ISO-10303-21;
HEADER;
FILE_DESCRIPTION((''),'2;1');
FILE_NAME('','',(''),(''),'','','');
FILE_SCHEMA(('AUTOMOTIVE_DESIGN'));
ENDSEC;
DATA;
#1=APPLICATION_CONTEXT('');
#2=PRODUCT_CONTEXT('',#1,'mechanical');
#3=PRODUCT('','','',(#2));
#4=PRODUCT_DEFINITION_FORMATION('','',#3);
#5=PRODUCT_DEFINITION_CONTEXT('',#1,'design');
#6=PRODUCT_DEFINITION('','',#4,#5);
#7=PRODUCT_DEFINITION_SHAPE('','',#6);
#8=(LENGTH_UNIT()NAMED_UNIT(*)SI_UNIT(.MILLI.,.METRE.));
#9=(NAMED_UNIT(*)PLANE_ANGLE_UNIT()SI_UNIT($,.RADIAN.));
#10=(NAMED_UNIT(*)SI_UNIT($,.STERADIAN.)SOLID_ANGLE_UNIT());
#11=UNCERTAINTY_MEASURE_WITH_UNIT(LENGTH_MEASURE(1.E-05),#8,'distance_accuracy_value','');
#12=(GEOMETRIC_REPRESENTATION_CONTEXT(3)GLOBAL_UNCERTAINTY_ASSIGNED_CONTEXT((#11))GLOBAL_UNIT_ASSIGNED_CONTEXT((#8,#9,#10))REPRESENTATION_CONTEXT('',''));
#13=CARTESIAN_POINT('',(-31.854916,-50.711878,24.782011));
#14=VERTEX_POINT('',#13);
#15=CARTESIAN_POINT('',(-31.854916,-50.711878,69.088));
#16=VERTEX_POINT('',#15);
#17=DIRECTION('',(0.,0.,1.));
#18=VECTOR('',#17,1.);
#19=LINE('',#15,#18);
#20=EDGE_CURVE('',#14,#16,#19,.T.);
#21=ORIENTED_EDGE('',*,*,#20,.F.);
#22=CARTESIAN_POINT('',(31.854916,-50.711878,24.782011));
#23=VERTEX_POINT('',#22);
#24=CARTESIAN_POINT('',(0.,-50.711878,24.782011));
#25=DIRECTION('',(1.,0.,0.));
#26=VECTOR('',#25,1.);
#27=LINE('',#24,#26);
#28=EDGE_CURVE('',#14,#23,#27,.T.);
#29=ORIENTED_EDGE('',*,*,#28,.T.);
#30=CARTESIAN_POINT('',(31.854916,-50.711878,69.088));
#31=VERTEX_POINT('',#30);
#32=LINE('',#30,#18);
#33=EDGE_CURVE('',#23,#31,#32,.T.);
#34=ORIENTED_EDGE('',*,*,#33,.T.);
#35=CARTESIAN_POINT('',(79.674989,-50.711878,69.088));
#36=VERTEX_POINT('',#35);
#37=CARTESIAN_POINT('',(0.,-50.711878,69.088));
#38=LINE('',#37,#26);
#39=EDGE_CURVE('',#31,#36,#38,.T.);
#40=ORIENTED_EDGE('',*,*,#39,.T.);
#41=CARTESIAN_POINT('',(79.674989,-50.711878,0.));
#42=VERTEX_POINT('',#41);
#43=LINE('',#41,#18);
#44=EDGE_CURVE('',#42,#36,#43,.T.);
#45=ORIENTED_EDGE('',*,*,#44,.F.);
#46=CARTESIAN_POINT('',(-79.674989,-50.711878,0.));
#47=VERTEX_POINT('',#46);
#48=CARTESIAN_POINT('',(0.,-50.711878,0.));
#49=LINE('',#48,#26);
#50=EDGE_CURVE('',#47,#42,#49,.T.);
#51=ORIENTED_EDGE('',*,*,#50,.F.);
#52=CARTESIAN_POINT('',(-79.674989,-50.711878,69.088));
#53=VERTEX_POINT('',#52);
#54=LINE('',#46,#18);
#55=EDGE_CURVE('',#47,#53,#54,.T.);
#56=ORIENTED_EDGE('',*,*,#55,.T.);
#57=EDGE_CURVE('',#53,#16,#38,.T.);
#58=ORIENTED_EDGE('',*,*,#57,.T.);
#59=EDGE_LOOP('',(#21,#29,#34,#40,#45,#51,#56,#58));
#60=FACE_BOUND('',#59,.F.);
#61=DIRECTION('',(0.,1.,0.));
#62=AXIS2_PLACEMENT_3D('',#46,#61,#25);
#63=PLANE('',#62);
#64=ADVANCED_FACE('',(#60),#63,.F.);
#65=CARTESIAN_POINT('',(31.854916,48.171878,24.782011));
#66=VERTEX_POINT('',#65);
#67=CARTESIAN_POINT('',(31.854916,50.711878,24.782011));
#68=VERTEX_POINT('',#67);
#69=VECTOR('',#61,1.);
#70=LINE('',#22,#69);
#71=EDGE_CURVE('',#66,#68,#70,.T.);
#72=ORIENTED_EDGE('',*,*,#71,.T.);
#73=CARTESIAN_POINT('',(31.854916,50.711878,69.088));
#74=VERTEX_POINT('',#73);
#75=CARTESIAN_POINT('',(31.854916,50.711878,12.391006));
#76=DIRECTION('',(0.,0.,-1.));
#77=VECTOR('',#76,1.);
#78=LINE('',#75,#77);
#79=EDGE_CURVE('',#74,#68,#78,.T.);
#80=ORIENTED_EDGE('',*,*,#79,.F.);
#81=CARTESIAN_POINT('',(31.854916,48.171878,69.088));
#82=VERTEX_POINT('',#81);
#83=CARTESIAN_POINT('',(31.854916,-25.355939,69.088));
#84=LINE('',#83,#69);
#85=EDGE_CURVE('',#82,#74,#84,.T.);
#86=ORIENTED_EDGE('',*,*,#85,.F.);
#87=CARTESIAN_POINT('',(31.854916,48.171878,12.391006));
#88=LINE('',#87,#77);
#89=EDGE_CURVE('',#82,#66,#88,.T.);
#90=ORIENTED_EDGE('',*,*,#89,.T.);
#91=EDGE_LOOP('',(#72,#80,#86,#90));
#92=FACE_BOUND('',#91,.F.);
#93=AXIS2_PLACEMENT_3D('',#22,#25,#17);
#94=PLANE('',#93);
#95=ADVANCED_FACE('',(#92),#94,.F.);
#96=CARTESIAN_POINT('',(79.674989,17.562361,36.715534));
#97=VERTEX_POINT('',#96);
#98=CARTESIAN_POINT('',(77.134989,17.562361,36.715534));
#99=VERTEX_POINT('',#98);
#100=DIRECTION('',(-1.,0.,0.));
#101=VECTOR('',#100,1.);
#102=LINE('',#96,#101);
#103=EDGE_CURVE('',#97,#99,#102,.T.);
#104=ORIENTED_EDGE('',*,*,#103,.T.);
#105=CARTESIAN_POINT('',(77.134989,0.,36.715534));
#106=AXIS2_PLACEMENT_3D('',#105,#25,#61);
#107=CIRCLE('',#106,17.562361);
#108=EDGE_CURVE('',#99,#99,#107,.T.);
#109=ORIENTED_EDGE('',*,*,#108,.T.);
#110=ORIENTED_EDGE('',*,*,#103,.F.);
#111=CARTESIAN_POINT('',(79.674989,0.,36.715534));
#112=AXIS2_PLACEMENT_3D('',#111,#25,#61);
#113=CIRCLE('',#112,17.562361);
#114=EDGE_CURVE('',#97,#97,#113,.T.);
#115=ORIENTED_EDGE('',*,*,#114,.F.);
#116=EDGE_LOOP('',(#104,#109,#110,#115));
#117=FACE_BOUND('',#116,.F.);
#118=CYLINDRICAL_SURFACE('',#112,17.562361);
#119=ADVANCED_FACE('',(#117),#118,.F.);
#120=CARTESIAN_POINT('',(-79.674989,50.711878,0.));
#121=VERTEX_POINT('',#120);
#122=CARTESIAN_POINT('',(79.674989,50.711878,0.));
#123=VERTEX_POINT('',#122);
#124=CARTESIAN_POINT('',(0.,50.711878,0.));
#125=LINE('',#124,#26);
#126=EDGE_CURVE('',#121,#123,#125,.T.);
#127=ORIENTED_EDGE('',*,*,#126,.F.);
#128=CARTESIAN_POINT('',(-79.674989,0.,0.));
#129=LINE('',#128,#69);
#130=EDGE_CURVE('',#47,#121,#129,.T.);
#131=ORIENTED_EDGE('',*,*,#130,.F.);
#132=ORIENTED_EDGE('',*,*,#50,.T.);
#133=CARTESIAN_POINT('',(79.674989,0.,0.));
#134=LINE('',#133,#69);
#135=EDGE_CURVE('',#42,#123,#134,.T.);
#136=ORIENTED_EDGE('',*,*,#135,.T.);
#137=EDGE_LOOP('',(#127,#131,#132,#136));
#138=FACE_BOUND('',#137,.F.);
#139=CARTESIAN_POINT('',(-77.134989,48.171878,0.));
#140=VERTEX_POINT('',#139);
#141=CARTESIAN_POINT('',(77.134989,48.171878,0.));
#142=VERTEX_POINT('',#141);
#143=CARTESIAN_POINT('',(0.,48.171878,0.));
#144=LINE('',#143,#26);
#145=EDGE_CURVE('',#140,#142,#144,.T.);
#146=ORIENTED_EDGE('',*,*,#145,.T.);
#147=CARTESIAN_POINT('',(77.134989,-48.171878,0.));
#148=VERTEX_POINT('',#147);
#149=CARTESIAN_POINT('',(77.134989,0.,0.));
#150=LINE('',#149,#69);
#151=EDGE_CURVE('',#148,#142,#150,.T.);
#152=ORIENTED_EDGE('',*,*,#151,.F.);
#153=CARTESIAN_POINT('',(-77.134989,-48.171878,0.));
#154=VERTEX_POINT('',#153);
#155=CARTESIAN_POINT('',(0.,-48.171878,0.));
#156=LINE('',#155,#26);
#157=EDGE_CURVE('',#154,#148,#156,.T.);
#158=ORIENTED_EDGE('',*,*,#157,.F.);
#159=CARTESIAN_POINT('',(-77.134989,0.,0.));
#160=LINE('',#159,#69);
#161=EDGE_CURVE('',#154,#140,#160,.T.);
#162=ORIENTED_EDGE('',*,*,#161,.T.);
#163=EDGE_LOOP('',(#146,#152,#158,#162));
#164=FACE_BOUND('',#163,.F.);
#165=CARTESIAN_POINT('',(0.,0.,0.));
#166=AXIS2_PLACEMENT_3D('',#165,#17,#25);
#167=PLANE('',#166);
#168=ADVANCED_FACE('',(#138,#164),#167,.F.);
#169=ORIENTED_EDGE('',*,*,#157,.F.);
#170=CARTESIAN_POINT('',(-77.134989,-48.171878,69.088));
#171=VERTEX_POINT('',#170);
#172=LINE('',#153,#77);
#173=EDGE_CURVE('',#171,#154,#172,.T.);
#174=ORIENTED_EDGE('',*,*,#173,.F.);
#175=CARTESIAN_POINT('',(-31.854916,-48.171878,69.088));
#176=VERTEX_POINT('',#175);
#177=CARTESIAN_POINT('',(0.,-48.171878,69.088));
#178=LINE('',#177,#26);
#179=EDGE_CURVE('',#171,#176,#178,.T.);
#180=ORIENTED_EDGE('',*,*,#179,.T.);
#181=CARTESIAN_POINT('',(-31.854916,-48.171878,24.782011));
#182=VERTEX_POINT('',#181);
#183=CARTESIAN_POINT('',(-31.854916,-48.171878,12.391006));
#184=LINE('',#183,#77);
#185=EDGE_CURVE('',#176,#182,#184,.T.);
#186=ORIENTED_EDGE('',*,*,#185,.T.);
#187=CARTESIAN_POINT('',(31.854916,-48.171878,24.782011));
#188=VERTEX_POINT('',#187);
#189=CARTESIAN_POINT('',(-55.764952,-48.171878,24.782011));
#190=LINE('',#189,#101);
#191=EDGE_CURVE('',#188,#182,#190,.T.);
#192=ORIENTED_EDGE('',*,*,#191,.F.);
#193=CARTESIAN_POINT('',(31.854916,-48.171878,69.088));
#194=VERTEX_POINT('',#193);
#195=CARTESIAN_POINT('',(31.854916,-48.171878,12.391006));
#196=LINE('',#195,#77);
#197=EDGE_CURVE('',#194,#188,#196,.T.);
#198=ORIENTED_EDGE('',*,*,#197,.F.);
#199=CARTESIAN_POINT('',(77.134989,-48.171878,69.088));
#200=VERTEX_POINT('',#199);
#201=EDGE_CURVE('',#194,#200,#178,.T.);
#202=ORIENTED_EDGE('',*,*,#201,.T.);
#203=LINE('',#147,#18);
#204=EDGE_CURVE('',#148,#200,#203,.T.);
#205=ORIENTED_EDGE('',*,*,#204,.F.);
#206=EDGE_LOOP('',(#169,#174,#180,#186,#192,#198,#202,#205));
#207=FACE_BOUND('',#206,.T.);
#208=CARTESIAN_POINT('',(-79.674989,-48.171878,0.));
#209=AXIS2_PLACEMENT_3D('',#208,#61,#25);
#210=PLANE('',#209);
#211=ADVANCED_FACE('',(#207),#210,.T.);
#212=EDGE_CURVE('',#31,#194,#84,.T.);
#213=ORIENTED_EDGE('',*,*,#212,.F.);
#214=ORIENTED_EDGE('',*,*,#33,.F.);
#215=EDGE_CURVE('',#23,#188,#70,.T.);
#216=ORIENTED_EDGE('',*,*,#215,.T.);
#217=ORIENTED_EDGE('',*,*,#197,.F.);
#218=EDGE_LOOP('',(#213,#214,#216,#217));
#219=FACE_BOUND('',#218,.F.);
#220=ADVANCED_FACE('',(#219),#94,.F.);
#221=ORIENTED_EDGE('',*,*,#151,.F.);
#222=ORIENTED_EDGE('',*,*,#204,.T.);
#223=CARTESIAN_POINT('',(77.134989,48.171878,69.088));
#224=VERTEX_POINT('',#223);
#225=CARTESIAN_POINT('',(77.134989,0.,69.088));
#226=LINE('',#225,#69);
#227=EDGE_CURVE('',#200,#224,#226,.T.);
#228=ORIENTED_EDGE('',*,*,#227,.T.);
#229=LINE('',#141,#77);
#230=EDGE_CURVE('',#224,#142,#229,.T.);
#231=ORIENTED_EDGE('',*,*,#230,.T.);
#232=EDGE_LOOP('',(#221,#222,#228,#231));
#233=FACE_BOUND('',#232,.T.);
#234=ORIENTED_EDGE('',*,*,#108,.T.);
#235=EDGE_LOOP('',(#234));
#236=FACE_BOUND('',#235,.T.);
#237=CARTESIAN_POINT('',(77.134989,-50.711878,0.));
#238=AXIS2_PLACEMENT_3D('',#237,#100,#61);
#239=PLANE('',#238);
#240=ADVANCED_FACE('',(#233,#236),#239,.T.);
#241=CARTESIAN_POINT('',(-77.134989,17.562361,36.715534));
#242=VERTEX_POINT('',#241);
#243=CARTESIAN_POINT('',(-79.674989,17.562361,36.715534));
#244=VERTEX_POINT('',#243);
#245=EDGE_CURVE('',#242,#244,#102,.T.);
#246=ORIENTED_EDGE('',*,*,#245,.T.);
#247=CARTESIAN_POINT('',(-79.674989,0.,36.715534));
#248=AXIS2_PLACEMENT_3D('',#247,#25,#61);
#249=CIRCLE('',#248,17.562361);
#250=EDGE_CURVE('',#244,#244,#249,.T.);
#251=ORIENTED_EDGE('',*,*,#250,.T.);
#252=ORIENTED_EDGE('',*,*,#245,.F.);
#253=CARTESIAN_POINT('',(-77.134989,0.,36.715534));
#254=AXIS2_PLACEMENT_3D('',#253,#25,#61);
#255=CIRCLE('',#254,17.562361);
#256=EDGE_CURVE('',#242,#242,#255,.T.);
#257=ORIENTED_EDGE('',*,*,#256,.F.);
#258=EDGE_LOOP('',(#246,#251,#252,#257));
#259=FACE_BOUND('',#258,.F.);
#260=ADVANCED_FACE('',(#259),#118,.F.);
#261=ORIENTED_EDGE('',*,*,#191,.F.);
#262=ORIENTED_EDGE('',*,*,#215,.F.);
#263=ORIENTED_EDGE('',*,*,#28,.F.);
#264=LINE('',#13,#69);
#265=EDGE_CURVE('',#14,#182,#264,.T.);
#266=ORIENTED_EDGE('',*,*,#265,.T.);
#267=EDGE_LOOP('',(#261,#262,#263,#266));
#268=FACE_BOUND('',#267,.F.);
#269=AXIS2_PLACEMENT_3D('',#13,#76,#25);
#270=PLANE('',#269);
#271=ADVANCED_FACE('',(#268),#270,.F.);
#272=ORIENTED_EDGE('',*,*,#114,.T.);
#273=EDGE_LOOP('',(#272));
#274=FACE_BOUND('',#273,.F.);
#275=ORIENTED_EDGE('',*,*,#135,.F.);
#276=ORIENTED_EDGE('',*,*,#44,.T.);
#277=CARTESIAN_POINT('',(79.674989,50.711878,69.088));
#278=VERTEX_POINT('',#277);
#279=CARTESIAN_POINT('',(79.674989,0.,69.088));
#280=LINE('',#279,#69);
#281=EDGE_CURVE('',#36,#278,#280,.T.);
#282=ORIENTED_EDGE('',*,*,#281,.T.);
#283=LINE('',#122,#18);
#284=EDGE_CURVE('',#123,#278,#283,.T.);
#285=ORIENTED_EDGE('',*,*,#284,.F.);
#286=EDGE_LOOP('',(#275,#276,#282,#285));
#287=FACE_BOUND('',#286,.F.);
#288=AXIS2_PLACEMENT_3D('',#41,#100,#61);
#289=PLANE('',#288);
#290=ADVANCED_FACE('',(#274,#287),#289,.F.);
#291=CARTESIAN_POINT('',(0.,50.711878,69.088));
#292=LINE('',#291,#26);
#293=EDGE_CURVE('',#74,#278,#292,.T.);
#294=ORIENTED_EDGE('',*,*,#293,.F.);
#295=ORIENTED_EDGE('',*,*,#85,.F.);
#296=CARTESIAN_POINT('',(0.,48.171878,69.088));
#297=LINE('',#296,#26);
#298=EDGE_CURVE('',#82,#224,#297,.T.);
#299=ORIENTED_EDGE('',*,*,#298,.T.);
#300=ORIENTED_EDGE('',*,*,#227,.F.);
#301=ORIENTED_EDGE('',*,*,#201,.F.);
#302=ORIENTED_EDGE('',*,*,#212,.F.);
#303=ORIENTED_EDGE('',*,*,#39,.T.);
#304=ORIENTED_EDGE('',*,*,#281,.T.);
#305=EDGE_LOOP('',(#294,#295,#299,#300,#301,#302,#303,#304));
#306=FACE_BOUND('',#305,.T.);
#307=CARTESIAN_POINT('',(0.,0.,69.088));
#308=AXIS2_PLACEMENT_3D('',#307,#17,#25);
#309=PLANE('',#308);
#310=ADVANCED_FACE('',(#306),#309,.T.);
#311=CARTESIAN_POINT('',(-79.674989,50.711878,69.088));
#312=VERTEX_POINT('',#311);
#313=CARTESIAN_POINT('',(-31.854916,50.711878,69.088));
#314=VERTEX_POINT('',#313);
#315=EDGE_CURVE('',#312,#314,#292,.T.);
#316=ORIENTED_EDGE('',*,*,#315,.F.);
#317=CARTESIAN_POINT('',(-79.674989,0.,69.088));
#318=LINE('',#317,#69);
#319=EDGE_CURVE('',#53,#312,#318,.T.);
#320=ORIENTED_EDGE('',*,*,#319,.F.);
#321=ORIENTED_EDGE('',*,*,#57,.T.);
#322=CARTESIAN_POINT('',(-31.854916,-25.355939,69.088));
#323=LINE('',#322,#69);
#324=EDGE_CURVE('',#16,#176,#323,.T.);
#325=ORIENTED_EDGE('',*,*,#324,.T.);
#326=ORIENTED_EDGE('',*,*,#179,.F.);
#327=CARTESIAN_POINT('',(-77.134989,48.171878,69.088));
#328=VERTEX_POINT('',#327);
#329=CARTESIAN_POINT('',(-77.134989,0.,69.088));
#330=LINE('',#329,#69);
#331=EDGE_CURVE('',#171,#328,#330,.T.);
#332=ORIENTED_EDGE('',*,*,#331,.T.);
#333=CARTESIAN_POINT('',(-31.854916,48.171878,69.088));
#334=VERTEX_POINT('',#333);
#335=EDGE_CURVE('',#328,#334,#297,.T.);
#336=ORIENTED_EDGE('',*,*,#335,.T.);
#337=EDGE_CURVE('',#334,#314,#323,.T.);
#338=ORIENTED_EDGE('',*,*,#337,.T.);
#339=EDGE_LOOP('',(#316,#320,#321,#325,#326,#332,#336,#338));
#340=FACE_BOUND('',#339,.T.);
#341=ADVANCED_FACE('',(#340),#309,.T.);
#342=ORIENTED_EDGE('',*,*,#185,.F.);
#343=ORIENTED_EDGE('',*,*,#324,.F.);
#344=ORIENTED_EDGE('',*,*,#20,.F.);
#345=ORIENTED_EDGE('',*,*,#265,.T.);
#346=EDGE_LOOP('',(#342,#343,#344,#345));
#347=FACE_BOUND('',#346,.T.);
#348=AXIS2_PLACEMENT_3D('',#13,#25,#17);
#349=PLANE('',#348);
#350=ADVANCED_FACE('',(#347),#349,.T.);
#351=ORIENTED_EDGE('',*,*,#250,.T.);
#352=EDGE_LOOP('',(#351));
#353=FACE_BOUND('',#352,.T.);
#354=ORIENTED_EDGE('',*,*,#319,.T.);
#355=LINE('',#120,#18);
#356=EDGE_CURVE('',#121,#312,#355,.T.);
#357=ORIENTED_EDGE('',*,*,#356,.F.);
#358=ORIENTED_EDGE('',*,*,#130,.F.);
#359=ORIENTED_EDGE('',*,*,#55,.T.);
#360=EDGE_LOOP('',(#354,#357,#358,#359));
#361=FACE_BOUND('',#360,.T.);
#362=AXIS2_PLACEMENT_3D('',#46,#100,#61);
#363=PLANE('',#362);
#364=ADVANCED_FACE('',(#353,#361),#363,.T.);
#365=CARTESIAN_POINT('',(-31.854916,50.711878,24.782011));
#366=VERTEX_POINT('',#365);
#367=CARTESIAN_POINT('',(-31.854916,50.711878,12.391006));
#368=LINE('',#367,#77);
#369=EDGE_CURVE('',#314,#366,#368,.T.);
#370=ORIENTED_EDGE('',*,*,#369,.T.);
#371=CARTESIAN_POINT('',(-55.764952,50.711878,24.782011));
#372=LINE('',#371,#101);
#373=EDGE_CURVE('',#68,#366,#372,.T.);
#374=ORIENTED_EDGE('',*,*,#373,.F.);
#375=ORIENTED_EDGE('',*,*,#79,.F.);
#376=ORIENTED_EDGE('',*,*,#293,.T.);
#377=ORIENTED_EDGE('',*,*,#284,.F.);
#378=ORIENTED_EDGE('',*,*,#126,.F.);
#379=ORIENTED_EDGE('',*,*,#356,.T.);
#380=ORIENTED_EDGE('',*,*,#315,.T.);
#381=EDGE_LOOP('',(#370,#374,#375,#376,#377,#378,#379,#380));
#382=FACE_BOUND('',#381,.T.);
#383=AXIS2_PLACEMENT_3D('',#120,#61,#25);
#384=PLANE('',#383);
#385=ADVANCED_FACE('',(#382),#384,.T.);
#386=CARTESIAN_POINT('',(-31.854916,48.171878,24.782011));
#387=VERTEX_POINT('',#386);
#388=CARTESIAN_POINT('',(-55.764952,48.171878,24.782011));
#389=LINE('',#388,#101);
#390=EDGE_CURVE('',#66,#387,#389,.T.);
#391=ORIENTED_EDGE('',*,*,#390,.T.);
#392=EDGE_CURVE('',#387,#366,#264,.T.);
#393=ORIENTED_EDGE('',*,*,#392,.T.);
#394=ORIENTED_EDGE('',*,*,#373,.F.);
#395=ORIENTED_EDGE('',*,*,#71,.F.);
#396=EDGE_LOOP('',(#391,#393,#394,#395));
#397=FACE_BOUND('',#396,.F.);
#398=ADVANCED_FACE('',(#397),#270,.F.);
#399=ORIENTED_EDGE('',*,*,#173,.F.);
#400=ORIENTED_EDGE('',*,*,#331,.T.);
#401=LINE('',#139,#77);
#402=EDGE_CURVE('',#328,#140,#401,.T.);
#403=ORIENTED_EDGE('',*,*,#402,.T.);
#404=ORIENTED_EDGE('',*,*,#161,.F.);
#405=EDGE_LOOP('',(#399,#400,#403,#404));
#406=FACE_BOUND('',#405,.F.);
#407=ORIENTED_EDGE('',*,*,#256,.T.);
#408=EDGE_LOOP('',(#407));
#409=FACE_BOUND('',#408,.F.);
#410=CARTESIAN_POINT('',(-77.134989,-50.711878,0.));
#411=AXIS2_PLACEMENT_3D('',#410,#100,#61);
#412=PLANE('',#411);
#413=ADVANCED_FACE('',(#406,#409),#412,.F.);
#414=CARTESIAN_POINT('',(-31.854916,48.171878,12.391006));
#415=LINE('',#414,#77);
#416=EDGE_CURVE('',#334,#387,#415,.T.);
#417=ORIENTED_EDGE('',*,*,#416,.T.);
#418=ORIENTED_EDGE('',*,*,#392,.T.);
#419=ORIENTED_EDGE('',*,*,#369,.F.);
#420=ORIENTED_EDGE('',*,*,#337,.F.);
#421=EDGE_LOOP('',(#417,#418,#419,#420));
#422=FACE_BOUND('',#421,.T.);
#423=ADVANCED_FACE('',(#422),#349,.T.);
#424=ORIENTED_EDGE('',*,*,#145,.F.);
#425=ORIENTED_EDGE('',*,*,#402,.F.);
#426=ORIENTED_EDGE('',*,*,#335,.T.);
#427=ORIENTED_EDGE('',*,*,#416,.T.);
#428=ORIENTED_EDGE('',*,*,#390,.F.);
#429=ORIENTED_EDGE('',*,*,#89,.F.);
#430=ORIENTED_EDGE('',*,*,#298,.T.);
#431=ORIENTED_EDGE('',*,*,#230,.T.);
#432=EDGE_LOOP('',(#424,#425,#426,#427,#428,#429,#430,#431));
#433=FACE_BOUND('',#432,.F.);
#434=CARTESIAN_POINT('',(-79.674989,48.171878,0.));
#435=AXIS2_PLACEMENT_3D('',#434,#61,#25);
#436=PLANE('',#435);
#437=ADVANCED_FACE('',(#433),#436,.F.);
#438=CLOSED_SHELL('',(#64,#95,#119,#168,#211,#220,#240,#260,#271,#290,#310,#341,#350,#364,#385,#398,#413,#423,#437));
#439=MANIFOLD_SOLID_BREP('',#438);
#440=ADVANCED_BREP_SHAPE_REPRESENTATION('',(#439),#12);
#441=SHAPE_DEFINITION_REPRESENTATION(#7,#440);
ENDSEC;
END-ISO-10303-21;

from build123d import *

# Parameters (mm, degrees)
F0_W     = 159.349978
F0_H     = 101.423756
F1_DEPTH = 69.088
F2_T     = -2.54
F3_W     = 63.709832
F3_H     = 88.611978
F4_DEPTH = 101.424755
F5_R     = 17.562361
F6_DEPTH = 159.350978


with BuildPart() as f1:
    # F0 (on Top) → F1 (new body)
    with BuildSketch(Plane.XY):
        Rectangle(F0_W, F0_H)
    extrude(amount=F1_DEPTH)

    # F2
    f2_openings = [f1.faces().sort_by_distance(p)[0] for p in [
        (0, 0, 69.088),
        (0, 0, 0),
    ]]
    offset(amount=F2_T, openings=f2_openings)

    # F3 (on face) → F4 (cut, through all)
    with BuildSketch(Plane.XZ.offset(50.711878)):
        with Locations((0, 69.088)):
            Rectangle(F3_W, F3_H)
    extrude(amount=-F4_DEPTH, mode=Mode.SUBTRACT)

    # F5 (on face) → F6 (cut, through all)
    with BuildSketch(Plane.YZ.offset(79.674989)):
        with Locations((0, 36.715534)):
            Circle(F5_R)
    extrude(amount=-F6_DEPTH, mode=Mode.SUBTRACT)


solid = f1.part
